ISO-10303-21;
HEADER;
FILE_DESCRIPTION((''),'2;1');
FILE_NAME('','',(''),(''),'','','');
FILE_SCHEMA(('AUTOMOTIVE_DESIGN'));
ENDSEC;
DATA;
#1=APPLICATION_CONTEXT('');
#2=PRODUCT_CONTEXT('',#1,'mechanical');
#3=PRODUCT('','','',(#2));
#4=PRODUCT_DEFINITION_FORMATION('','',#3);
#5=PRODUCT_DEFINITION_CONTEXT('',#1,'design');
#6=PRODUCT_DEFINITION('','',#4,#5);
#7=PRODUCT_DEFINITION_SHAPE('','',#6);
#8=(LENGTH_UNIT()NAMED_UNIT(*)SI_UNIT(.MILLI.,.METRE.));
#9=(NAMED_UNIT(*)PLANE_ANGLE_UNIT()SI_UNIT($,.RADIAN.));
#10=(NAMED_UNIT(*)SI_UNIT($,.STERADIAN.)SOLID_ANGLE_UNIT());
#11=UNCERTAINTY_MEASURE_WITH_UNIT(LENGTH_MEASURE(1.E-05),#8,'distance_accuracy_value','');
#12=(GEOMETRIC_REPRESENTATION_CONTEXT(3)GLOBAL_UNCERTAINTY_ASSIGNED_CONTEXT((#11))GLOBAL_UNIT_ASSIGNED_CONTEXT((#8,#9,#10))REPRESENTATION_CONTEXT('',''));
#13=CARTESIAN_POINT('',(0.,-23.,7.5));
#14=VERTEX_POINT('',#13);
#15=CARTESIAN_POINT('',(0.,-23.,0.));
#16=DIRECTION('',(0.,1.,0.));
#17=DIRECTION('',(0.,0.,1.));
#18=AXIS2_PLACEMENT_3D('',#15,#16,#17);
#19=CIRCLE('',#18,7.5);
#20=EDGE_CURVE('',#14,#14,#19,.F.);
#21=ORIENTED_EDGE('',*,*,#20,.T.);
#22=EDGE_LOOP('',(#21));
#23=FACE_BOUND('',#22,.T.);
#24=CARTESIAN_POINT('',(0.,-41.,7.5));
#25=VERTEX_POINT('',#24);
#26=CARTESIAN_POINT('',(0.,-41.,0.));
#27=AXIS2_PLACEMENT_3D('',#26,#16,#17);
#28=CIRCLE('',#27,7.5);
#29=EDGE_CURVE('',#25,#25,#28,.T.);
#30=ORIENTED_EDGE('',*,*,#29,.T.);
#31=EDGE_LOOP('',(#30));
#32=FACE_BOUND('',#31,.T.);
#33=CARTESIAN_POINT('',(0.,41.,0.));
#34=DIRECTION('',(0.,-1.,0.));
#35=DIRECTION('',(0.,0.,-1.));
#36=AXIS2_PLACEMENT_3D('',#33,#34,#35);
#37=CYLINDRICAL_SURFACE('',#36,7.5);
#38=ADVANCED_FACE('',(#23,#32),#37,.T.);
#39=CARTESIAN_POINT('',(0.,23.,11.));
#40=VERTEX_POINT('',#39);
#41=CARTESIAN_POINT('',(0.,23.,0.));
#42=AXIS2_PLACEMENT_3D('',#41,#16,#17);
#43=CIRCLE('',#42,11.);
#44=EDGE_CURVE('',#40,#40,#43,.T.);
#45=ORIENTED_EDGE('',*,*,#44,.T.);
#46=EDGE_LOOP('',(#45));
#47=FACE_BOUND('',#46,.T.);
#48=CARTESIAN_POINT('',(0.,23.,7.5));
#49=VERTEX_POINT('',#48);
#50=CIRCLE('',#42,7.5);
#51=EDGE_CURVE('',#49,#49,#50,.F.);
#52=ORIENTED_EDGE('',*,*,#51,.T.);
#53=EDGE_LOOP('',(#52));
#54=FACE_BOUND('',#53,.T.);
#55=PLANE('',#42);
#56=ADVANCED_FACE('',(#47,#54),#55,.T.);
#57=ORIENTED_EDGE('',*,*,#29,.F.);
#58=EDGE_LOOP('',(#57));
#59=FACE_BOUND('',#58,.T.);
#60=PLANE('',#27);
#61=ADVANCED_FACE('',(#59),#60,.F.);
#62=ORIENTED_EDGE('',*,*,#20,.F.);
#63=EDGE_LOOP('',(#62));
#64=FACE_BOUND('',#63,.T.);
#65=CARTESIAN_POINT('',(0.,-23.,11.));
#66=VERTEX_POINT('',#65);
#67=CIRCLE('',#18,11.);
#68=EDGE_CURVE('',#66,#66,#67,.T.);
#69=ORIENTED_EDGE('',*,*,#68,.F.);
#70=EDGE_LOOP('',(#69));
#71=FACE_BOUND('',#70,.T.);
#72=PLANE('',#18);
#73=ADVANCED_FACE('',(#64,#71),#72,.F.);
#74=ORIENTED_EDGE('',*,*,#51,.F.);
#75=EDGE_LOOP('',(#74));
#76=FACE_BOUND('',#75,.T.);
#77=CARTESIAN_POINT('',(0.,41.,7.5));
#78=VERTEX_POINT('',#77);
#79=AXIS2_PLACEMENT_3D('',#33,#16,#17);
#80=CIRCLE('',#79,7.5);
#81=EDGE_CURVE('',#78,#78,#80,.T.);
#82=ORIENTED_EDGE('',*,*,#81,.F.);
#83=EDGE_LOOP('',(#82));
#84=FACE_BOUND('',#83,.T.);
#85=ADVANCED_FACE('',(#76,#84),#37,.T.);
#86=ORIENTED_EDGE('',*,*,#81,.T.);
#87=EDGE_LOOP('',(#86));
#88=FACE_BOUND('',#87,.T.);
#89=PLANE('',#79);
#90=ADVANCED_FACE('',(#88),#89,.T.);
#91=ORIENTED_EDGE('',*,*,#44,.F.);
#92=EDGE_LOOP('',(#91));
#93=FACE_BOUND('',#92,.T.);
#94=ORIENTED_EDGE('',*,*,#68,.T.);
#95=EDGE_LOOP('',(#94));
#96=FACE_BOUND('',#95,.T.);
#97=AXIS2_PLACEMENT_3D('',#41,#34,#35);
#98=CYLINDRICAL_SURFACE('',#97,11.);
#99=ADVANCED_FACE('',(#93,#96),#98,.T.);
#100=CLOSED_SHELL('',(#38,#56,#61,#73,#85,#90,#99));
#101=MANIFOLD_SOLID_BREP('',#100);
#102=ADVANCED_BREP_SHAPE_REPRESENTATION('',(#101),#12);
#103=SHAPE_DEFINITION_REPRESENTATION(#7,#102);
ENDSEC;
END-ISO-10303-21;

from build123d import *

# Parameters (mm, degrees)
SKETCH1_R           = 11
BOSS_EXTRUDE1_DEPTH = 23
SKETCH1_3_R         = 7.5
BOSS_EXTRUDE2_DEPTH = 41


with BuildPart() as part:
    # Sketch1 → Boss-Extrude1 (new, symmetric)
    with BuildSketch(Plane(origin=(0, 0, 0), x_dir=(1, 0, 0), z_dir=(0, 1, 0))):
        Circle(SKETCH1_R)
    extrude(amount=BOSS_EXTRUDE1_DEPTH, both=True)

    # Sketch1<3> → Boss-Extrude2 (add, symmetric)
    with BuildSketch(Plane(origin=(0, 0, 0), x_dir=(1, 0, 0), z_dir=(0, 1, 0))):
        Circle(SKETCH1_3_R)
    extrude(amount=BOSS_EXTRUDE2_DEPTH, both=True)


solid = part.part
